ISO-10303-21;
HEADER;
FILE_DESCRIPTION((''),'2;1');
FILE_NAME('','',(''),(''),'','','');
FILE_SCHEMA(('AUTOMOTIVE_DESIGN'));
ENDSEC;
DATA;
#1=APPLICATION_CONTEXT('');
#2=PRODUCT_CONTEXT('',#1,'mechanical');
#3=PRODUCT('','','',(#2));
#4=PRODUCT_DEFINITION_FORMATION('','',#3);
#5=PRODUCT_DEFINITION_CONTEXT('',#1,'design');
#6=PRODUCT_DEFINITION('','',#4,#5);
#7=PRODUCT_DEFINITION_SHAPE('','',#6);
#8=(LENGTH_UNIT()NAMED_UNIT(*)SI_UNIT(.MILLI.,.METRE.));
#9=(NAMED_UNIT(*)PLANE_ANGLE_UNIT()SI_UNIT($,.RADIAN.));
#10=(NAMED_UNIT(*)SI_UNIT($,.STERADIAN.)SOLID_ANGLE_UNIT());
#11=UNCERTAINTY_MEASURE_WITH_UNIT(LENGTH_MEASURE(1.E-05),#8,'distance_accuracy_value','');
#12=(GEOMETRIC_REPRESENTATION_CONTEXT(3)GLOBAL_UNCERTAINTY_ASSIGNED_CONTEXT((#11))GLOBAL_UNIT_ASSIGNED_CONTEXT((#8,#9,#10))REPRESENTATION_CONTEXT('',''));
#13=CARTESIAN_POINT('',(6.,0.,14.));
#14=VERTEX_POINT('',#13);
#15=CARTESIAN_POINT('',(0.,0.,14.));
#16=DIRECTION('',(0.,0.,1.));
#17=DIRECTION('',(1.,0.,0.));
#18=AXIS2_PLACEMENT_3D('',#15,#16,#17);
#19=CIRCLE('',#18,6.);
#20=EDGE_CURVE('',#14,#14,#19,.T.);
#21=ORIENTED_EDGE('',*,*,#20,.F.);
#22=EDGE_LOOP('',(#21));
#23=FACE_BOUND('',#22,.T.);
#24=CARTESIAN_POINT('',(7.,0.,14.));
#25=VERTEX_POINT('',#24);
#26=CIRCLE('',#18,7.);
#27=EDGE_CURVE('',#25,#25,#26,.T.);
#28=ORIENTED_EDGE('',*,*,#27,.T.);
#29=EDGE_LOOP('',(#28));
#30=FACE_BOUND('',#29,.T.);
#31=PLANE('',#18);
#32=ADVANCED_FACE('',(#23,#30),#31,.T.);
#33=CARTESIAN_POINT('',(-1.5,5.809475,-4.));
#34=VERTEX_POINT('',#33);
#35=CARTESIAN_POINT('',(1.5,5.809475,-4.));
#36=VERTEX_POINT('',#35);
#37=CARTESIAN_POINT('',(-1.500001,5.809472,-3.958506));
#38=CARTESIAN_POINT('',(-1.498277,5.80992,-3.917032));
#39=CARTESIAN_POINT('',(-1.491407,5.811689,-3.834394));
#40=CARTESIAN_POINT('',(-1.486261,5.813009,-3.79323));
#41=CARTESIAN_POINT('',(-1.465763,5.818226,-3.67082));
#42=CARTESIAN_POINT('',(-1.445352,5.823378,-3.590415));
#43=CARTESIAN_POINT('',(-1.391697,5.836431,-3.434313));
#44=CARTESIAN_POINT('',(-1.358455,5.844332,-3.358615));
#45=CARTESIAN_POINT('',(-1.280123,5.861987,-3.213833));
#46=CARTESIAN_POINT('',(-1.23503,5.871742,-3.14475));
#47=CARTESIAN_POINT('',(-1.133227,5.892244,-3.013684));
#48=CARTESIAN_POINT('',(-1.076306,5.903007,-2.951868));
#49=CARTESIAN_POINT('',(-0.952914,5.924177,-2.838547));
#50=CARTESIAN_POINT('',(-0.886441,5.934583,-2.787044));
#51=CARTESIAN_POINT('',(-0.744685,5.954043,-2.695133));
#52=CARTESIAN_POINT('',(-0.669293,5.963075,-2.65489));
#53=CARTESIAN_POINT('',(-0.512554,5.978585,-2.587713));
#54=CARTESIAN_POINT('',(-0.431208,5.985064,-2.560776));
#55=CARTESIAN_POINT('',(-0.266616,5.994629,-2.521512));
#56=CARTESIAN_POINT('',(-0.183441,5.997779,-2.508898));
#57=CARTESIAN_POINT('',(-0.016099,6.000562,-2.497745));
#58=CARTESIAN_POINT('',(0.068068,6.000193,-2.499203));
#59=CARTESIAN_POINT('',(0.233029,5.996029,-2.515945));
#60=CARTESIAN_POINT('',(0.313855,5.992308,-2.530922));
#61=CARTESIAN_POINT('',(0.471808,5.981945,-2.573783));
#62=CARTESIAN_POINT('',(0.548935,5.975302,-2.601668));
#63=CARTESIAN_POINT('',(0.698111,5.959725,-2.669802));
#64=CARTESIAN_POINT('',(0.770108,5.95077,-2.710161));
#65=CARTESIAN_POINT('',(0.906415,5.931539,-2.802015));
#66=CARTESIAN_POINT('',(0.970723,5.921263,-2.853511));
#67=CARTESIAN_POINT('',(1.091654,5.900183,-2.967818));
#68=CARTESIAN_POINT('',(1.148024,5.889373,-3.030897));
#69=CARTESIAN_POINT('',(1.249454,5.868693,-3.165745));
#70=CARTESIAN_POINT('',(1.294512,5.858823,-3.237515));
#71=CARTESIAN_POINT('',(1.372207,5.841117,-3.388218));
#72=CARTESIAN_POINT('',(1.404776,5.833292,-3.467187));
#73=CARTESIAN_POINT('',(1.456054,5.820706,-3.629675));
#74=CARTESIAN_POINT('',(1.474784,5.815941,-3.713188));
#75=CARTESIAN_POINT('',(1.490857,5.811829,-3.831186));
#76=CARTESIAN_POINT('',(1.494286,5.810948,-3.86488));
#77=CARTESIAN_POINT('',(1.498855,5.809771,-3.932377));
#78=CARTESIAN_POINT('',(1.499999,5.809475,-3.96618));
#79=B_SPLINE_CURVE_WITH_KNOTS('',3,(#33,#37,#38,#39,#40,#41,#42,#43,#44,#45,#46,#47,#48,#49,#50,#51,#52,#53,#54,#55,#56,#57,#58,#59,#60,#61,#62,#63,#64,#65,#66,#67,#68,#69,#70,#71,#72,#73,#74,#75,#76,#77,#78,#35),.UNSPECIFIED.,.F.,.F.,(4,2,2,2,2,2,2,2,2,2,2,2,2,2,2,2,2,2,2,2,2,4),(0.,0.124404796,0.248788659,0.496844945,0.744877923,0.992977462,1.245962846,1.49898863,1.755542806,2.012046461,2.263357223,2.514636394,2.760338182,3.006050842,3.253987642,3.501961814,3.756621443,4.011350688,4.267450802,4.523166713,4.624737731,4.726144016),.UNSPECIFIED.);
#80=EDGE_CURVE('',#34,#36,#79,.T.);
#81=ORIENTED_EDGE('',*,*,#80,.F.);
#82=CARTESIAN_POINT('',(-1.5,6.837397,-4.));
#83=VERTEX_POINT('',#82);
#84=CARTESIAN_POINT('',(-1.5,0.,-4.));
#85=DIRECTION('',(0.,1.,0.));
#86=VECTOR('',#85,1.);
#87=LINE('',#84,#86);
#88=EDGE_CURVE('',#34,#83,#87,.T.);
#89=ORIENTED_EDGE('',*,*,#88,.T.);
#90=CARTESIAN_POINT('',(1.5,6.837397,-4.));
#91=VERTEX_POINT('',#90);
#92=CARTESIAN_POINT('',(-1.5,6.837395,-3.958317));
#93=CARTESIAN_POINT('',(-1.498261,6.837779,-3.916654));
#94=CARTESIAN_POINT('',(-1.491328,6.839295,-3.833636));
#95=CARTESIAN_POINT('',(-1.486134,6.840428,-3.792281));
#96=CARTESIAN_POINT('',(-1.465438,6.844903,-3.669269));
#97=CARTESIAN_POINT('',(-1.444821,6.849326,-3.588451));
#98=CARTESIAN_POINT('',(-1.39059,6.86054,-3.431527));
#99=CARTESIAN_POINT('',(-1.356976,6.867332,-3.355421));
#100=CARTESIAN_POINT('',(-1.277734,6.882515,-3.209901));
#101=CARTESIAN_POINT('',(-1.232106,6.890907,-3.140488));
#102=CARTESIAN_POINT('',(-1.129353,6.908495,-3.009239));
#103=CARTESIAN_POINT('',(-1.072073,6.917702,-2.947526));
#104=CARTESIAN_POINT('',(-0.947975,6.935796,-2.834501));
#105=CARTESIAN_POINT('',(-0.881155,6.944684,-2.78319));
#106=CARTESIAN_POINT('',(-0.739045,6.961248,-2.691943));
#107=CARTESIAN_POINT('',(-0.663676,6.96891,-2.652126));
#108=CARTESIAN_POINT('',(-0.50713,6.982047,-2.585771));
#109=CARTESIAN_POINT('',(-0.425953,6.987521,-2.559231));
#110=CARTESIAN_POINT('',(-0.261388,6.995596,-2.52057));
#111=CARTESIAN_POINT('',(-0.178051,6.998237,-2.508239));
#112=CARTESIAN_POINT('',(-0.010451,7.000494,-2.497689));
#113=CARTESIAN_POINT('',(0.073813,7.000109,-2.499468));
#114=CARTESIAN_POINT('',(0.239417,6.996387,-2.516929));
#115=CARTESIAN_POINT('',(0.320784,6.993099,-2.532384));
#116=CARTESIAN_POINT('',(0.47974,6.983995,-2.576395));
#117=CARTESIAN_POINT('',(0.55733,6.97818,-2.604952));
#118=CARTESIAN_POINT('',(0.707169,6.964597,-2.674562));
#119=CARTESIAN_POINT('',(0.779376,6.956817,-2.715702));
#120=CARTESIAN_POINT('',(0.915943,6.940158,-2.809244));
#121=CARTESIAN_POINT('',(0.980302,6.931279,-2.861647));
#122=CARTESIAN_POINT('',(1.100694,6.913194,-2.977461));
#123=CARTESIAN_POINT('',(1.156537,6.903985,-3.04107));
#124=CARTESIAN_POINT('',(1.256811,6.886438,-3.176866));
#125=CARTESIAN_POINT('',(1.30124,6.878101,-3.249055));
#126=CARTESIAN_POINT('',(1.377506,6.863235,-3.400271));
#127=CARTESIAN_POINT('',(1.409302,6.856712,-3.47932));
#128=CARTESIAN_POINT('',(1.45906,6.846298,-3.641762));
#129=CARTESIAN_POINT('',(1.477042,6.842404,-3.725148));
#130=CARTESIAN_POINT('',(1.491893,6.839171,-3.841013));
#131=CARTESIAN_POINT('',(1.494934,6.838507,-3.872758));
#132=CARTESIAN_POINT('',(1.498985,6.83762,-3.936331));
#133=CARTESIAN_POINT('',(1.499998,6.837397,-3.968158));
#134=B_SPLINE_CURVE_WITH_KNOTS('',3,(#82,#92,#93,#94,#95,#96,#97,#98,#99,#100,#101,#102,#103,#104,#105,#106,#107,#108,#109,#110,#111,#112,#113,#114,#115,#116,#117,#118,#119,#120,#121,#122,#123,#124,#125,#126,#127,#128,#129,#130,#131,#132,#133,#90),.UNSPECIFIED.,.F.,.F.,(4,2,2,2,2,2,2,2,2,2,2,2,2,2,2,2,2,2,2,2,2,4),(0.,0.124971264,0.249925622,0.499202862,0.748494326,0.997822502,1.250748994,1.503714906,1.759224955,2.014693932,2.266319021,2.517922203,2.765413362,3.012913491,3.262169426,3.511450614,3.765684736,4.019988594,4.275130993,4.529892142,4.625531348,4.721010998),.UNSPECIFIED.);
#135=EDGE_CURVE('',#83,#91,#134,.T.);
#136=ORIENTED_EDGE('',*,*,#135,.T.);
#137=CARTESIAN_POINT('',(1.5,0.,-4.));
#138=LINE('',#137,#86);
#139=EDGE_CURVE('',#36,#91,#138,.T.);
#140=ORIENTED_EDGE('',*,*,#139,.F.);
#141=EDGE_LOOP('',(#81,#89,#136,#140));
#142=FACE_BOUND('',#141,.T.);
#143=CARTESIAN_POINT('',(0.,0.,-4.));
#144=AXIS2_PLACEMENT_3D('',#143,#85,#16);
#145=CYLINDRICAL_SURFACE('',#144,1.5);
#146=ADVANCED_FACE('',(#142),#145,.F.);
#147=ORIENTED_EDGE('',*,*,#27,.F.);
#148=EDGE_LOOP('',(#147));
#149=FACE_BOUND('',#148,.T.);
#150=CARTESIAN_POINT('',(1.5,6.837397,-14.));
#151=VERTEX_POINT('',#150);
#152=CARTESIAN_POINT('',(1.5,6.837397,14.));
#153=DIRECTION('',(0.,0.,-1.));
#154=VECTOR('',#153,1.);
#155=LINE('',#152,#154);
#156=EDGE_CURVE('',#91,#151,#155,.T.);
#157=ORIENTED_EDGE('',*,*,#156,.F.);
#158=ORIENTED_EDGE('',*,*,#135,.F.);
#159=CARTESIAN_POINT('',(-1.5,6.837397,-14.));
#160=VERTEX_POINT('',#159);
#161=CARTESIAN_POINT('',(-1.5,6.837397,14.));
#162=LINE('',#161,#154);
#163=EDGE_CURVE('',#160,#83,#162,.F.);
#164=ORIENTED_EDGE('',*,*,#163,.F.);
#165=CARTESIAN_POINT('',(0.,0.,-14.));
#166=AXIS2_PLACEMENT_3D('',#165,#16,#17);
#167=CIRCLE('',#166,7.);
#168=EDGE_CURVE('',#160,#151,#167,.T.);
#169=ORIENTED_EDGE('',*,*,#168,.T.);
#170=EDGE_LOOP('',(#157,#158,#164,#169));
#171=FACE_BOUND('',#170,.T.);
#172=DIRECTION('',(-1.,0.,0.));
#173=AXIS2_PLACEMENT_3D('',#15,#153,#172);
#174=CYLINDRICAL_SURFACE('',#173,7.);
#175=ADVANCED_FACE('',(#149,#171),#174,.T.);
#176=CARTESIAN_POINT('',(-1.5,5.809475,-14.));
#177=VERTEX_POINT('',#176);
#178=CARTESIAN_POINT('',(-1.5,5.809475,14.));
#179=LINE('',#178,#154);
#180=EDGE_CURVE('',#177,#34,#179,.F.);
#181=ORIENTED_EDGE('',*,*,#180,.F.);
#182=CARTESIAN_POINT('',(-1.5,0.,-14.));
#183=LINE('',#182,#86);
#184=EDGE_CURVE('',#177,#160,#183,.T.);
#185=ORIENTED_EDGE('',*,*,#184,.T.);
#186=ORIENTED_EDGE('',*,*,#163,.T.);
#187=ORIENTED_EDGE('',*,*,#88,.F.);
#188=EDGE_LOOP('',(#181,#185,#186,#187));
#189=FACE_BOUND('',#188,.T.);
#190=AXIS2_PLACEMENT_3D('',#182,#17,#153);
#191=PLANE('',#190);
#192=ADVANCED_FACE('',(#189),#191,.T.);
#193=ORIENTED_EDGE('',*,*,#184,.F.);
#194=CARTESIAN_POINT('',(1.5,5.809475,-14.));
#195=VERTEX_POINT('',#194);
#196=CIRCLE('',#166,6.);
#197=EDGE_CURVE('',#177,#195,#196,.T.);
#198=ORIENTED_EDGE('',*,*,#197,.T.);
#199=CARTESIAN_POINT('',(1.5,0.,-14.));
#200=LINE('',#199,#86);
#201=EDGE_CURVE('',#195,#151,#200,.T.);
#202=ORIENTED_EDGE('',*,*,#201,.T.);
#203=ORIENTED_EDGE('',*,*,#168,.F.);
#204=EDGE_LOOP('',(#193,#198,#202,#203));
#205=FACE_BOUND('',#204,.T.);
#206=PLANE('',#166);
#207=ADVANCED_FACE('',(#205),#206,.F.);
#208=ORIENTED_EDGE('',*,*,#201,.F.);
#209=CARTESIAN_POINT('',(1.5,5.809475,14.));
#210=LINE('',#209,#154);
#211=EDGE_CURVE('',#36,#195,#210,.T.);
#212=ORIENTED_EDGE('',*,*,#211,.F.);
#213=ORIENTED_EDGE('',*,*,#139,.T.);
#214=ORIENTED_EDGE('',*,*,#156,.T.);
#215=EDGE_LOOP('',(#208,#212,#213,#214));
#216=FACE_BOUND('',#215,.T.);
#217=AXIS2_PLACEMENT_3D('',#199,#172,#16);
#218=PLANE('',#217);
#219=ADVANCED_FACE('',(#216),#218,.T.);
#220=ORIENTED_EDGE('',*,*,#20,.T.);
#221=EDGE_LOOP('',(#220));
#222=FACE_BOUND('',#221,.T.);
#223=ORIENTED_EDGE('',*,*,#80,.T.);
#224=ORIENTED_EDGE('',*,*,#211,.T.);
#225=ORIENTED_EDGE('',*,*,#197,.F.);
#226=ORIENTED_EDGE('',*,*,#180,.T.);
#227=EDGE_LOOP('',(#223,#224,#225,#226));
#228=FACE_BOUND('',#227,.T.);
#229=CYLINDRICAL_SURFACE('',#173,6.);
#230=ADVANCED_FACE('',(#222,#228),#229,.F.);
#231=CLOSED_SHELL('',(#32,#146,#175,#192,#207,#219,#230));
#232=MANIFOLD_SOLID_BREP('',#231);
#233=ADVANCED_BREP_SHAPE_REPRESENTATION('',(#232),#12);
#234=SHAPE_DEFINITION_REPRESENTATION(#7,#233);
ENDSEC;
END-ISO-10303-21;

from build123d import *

# Parameters (mm, degrees)
ESQUISSE1_R             = 7
ESQUISSE1_R_2           = 6
BOSS_EXTRU_1_DEPTH      = 14
ENL_V_MAT_EXTRU_1_DEPTH = 18.146428199


with BuildPart() as part:
    # Esquisse1 → Boss.-Extru.1 (new, symmetric)
    with BuildSketch(Plane.XY):
        Circle(ESQUISSE1_R)
        Circle(ESQUISSE1_R_2, mode=Mode.SUBTRACT)
    extrude(amount=BOSS_EXTRU_1_DEPTH, both=True)

    # Esquisse2 → Enlèv. mat.-Extru.1 (cut, through all)
    with BuildSketch(Plane(origin=(0, 0, 0), x_dir=(1, 0, 0), z_dir=(0, 1, 0))):
        with BuildLine():
            Line((-1.5, 82.523499554), (-1.5, 14))
            Line((-1.5, 14), (-1.5, 4))
            ThreePointArc((-1.5, 4), (0, 2.5), (1.5, 4))
            Line((1.5, 4), (1.5, 14))
            Line((1.5, 14), (1.5, 82.523499554))
            Line((1.5, 82.523499554), (1.5, 219.570498661))
            Line((1.5, 219.570498661), (-1.5, 219.570498661))
            Line((-1.5, 219.570498661), (-1.5, 82.523499554))
        make_face()
    extrude(amount=ENL_V_MAT_EXTRU_1_DEPTH, mode=Mode.SUBTRACT)


solid = part.part
